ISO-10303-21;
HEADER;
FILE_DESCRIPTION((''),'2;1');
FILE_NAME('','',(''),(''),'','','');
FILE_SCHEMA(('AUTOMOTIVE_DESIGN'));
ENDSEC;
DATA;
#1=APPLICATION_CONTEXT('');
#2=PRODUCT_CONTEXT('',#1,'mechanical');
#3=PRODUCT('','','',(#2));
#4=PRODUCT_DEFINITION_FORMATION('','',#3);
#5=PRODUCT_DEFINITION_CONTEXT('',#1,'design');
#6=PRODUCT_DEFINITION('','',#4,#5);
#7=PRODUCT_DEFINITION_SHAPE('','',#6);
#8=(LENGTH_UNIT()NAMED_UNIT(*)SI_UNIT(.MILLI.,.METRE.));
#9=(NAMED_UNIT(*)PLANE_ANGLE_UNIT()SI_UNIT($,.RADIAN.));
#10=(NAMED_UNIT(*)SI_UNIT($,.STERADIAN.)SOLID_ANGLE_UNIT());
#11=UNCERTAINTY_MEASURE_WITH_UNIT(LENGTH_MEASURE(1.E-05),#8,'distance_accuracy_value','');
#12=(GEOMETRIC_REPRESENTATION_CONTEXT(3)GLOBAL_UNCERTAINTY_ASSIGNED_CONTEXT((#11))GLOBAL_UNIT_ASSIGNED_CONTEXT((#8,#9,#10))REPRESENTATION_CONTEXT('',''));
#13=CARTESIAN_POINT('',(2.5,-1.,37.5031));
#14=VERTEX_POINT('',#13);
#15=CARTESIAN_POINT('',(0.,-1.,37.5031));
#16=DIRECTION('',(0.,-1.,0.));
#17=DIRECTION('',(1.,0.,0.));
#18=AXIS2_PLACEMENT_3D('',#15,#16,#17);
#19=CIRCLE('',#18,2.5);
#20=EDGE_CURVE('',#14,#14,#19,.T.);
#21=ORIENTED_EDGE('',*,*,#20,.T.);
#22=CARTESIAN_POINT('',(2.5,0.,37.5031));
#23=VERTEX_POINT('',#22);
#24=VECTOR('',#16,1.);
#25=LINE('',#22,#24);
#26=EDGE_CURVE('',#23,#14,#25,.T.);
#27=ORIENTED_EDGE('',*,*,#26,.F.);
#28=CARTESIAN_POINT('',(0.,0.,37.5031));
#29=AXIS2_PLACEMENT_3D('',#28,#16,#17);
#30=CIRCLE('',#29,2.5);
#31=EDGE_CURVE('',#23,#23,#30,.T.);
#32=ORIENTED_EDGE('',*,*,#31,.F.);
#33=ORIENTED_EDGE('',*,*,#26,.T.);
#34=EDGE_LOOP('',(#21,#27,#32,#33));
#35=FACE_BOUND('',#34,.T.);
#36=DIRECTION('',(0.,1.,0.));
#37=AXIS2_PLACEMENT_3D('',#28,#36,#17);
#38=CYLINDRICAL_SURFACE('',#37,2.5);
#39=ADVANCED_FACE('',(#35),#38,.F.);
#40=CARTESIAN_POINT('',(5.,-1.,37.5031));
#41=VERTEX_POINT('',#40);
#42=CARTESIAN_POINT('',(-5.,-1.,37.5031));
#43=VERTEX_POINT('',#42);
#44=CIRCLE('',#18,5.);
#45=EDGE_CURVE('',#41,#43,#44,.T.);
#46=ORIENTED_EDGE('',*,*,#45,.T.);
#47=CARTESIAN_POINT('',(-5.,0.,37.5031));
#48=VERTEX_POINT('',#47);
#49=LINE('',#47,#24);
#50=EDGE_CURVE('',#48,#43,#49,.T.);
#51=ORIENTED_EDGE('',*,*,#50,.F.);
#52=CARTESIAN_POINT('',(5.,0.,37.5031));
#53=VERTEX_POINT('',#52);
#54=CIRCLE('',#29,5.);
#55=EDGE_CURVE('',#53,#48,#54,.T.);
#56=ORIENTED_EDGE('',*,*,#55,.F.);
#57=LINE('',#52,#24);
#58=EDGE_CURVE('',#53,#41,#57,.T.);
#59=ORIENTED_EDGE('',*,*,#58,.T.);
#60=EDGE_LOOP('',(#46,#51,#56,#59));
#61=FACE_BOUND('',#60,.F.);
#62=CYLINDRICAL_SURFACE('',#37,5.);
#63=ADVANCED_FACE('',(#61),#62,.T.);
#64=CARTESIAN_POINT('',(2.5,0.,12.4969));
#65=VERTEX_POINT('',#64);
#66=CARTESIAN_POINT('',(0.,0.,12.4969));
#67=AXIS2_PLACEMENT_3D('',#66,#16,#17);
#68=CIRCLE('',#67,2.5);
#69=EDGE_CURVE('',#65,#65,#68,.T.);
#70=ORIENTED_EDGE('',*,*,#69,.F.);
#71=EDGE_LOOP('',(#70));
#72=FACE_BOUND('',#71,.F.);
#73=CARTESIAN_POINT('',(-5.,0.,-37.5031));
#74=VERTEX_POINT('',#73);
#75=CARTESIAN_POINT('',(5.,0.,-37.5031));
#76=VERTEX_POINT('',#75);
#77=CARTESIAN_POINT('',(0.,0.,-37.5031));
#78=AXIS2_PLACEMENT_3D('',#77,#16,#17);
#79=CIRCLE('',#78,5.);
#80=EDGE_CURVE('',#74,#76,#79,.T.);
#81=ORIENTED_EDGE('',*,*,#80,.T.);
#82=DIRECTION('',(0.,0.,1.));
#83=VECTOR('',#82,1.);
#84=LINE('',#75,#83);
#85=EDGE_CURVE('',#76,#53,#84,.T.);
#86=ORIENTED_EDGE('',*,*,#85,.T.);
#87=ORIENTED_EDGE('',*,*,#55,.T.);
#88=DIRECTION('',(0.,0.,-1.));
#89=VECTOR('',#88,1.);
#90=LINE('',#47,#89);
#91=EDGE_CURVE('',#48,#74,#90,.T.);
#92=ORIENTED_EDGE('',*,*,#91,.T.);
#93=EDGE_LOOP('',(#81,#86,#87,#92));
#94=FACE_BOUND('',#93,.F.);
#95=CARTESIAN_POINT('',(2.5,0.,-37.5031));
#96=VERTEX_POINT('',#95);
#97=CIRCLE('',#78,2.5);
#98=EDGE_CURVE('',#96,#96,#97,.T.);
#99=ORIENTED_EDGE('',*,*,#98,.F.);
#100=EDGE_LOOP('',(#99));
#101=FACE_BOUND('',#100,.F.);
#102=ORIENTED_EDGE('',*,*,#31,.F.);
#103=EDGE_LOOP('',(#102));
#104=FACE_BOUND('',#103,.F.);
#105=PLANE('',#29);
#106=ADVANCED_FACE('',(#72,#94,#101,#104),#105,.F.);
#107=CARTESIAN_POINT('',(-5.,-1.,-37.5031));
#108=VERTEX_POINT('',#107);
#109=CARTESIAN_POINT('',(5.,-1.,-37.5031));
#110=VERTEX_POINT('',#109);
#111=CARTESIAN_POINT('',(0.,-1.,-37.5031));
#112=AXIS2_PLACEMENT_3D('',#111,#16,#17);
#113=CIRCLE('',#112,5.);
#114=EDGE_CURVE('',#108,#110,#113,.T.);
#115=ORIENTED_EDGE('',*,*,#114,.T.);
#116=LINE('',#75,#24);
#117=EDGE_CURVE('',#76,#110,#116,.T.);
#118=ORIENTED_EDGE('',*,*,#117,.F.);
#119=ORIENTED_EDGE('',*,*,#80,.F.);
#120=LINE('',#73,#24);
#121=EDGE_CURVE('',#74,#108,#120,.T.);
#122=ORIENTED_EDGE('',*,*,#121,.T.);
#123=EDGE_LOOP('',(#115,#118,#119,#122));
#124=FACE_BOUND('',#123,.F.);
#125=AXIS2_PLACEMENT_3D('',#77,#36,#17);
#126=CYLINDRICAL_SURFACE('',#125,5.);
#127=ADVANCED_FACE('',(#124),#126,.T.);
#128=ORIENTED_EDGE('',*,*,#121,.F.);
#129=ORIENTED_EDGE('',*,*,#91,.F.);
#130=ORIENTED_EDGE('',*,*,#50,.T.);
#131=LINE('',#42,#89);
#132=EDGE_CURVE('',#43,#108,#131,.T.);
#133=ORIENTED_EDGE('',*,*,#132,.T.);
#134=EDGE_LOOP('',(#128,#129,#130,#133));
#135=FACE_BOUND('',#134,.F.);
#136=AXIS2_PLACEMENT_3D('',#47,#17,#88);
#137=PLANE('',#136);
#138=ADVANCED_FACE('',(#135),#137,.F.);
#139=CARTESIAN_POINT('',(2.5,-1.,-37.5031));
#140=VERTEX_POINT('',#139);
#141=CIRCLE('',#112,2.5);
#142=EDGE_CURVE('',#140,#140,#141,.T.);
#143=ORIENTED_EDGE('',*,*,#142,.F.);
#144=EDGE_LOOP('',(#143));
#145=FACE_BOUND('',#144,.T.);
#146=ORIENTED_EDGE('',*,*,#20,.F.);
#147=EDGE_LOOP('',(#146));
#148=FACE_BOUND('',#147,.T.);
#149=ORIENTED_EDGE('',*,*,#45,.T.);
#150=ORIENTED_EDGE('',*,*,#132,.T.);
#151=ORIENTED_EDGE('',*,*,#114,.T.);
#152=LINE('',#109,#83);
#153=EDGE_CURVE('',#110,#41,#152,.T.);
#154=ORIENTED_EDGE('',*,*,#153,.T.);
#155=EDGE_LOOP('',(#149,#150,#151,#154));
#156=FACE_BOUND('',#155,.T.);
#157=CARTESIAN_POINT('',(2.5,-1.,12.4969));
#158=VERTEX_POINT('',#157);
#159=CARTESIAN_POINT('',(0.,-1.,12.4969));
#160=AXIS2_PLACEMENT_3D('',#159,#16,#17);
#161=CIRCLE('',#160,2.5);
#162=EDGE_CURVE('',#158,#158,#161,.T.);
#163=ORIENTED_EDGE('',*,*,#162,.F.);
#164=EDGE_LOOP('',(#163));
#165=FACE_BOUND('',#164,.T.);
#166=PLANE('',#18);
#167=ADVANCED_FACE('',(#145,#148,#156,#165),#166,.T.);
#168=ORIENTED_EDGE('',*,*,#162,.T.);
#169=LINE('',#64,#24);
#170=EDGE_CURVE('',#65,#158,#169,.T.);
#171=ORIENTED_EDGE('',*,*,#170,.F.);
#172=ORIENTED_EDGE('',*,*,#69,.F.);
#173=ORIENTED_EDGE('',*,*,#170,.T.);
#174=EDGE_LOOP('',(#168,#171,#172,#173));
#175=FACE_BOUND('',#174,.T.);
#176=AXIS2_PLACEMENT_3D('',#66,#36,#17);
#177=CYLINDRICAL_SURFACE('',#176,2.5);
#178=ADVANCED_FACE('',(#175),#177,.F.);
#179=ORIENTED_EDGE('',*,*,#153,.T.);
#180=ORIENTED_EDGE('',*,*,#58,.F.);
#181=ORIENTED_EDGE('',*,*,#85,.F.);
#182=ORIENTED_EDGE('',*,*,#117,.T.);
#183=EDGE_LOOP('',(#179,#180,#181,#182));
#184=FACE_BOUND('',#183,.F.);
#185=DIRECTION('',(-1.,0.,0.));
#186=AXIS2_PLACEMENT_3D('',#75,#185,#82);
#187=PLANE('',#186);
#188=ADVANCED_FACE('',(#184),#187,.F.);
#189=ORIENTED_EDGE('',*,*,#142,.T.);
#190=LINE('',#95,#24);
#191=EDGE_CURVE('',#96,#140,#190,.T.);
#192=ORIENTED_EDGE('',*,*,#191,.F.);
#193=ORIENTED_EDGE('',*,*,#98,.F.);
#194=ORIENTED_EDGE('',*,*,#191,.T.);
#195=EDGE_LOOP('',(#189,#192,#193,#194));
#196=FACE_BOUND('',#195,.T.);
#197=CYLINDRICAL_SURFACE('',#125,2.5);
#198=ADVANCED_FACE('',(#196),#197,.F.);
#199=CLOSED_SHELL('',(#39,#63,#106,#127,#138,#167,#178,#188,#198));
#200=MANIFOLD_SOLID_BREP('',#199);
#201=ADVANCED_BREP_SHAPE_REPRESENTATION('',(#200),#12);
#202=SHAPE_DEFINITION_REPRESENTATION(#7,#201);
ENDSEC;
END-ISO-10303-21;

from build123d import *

# Parameters (mm, degrees)
F0_R     = 2.5
F1_DEPTH = 1


with BuildPart() as f1:
    # F0 (on Front) → F1 (new body)
    with BuildSketch(Plane.XZ):
        with BuildLine():
            ThreePointArc((-5, 37.5031), (0, 32.5031), (5, 37.5031))
            ThreePointArc((5, 37.5031), (0, 42.5031), (-5, 37.5031))
        make_face()
        with Locations((0, 37.5031)):
            Circle(F0_R, mode=Mode.SUBTRACT)
        with BuildLine():
            Line((5, -37.5031), (5, 37.5031))
            ThreePointArc((5, 37.5031), (0, 32.5031), (-5, 37.5031))
            Line((-5, 37.5031), (-5, -37.5031))
            ThreePointArc((-5, -37.5031), (0, -32.5031), (5, -37.5031))
        make_face()
        with Locations((0, 12.4969)):
            Circle(F0_R, mode=Mode.SUBTRACT)
        with BuildLine():
            ThreePointArc((-5, -37.5031), (0, -42.5031), (5, -37.5031))
            ThreePointArc((5, -37.5031), (0, -32.5031), (-5, -37.5031))
        make_face()
        with Locations((0, -37.5031)):
            Circle(F0_R, mode=Mode.SUBTRACT)
    extrude(amount=F1_DEPTH)


solid = f1.part
